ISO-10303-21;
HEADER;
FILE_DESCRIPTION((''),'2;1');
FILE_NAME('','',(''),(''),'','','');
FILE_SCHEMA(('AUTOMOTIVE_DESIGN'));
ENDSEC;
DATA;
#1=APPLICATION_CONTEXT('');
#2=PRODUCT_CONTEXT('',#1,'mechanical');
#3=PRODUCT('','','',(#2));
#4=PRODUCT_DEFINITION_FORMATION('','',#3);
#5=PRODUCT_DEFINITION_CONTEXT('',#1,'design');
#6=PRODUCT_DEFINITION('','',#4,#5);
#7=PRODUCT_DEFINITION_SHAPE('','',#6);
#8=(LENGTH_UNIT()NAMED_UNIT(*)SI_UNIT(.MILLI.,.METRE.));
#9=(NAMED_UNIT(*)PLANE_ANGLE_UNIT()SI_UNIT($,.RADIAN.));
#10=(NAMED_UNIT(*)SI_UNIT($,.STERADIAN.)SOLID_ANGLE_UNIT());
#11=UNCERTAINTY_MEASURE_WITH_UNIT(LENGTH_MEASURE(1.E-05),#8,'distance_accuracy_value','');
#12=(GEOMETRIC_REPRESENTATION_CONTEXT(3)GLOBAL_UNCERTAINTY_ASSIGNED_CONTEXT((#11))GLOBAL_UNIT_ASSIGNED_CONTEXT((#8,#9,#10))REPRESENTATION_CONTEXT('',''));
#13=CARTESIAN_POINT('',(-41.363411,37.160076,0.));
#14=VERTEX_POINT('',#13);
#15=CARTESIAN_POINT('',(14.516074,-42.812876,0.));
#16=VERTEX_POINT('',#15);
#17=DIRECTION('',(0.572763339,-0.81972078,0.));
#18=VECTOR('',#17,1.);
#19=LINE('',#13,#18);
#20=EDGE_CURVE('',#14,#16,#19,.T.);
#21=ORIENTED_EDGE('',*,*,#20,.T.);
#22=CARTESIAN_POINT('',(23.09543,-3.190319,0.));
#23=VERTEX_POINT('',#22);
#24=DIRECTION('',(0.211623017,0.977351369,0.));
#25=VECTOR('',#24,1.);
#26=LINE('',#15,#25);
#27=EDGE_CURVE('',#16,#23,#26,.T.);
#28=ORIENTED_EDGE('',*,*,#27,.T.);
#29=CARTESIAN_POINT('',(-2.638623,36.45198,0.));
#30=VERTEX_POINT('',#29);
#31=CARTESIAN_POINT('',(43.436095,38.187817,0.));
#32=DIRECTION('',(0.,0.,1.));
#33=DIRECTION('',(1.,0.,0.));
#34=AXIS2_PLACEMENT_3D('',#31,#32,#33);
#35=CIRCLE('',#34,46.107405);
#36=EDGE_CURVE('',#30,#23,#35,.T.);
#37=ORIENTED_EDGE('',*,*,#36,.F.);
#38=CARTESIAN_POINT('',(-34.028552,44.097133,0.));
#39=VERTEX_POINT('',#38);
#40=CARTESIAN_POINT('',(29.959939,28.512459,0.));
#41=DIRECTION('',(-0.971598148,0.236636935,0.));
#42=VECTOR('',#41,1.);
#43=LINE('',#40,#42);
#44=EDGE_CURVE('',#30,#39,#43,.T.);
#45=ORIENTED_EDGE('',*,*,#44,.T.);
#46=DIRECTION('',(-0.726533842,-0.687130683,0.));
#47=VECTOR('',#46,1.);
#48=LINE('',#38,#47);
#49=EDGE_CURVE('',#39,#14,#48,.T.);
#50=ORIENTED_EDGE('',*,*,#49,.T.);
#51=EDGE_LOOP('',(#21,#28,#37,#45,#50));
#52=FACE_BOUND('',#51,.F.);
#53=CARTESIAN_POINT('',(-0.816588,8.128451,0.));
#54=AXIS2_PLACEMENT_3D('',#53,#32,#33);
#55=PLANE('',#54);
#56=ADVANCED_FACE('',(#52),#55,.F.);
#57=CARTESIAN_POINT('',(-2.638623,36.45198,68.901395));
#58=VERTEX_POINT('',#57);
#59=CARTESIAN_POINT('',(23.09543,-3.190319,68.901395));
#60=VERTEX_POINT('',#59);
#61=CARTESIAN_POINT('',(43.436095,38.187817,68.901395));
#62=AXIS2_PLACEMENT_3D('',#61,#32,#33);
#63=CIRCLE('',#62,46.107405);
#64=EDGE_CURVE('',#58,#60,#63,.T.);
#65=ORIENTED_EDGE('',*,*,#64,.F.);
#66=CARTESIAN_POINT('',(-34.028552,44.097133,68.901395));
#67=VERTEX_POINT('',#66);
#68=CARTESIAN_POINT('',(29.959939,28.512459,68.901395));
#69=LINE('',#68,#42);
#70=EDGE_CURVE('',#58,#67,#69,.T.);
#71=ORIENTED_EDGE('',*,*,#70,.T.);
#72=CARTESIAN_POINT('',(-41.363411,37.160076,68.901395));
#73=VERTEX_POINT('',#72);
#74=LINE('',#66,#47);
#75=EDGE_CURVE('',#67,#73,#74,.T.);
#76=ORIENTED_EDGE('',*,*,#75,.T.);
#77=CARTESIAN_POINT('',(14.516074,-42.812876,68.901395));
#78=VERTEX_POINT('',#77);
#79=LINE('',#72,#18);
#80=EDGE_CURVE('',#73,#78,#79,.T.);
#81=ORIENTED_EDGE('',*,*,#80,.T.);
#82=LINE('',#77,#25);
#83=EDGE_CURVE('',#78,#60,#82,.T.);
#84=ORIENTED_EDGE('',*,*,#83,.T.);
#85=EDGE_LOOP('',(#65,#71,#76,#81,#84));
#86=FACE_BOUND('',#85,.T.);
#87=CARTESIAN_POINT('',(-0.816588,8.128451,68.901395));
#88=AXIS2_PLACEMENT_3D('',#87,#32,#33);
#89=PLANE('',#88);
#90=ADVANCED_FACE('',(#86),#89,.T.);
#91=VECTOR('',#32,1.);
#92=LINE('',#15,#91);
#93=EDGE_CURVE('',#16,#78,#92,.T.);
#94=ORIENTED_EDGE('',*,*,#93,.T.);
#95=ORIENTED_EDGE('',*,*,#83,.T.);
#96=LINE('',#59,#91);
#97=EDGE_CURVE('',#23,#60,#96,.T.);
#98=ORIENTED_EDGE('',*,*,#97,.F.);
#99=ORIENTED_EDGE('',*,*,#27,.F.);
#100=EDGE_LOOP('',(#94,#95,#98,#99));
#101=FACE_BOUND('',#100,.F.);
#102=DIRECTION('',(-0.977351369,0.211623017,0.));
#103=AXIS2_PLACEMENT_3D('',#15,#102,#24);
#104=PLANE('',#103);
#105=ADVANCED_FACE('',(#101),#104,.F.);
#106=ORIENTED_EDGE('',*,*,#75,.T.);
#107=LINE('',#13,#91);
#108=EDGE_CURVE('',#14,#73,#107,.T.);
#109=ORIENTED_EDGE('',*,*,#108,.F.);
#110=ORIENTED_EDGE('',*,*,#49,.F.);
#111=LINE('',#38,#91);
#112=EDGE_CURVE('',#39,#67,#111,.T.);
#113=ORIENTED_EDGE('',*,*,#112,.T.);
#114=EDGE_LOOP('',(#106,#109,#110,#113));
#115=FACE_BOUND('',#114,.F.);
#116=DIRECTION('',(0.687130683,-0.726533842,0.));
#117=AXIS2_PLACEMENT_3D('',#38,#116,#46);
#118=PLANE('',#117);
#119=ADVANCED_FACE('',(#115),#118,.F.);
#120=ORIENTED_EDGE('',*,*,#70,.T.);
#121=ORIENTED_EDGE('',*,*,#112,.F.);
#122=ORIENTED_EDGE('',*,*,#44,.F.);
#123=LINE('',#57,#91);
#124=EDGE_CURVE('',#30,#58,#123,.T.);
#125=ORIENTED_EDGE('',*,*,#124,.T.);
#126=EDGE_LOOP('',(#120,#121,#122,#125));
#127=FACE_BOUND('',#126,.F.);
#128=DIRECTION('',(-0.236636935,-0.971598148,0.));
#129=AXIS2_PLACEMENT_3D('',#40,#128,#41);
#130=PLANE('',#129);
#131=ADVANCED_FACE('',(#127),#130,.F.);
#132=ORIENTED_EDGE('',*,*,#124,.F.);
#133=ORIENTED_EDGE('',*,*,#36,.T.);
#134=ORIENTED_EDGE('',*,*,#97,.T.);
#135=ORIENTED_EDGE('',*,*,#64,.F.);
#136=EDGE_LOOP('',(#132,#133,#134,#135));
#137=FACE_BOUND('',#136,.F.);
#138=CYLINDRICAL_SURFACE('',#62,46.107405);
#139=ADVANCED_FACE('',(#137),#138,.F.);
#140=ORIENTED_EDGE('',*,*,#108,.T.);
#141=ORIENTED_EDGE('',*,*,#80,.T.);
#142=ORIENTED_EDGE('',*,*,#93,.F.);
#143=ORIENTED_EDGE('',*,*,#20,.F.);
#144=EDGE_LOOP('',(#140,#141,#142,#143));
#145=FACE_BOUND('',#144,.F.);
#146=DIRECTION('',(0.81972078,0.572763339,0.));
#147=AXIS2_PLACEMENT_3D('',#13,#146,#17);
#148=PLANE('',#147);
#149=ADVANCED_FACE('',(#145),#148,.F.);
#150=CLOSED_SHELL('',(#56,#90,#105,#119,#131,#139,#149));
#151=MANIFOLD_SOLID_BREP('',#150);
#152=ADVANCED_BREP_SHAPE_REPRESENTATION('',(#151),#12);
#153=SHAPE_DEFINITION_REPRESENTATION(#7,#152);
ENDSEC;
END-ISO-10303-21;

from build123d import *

# Parameters (mm, degrees)
F1_DEPTH = 68.901395
F2_R     = 46.107405
F3_DEPTH = 88.576624


with BuildPart() as f1:
    # F0 (on Top) → F1 (new body)
    with BuildSketch(Plane.XY):
        Polygon((-34.028552, 44.097133), (-41.363411, 37.160076), (14.516074, -42.812876), (29.959939, 28.512459), align=None)
    extrude(amount=F1_DEPTH)

    # F2 (on face) → F3 (cut)
    with BuildSketch(Plane.XY.offset(68.901395)):
        with Locations((43.436095, 38.187817)):
            Circle(F2_R)
    extrude(amount=-F3_DEPTH, mode=Mode.SUBTRACT)


solid = f1.part
